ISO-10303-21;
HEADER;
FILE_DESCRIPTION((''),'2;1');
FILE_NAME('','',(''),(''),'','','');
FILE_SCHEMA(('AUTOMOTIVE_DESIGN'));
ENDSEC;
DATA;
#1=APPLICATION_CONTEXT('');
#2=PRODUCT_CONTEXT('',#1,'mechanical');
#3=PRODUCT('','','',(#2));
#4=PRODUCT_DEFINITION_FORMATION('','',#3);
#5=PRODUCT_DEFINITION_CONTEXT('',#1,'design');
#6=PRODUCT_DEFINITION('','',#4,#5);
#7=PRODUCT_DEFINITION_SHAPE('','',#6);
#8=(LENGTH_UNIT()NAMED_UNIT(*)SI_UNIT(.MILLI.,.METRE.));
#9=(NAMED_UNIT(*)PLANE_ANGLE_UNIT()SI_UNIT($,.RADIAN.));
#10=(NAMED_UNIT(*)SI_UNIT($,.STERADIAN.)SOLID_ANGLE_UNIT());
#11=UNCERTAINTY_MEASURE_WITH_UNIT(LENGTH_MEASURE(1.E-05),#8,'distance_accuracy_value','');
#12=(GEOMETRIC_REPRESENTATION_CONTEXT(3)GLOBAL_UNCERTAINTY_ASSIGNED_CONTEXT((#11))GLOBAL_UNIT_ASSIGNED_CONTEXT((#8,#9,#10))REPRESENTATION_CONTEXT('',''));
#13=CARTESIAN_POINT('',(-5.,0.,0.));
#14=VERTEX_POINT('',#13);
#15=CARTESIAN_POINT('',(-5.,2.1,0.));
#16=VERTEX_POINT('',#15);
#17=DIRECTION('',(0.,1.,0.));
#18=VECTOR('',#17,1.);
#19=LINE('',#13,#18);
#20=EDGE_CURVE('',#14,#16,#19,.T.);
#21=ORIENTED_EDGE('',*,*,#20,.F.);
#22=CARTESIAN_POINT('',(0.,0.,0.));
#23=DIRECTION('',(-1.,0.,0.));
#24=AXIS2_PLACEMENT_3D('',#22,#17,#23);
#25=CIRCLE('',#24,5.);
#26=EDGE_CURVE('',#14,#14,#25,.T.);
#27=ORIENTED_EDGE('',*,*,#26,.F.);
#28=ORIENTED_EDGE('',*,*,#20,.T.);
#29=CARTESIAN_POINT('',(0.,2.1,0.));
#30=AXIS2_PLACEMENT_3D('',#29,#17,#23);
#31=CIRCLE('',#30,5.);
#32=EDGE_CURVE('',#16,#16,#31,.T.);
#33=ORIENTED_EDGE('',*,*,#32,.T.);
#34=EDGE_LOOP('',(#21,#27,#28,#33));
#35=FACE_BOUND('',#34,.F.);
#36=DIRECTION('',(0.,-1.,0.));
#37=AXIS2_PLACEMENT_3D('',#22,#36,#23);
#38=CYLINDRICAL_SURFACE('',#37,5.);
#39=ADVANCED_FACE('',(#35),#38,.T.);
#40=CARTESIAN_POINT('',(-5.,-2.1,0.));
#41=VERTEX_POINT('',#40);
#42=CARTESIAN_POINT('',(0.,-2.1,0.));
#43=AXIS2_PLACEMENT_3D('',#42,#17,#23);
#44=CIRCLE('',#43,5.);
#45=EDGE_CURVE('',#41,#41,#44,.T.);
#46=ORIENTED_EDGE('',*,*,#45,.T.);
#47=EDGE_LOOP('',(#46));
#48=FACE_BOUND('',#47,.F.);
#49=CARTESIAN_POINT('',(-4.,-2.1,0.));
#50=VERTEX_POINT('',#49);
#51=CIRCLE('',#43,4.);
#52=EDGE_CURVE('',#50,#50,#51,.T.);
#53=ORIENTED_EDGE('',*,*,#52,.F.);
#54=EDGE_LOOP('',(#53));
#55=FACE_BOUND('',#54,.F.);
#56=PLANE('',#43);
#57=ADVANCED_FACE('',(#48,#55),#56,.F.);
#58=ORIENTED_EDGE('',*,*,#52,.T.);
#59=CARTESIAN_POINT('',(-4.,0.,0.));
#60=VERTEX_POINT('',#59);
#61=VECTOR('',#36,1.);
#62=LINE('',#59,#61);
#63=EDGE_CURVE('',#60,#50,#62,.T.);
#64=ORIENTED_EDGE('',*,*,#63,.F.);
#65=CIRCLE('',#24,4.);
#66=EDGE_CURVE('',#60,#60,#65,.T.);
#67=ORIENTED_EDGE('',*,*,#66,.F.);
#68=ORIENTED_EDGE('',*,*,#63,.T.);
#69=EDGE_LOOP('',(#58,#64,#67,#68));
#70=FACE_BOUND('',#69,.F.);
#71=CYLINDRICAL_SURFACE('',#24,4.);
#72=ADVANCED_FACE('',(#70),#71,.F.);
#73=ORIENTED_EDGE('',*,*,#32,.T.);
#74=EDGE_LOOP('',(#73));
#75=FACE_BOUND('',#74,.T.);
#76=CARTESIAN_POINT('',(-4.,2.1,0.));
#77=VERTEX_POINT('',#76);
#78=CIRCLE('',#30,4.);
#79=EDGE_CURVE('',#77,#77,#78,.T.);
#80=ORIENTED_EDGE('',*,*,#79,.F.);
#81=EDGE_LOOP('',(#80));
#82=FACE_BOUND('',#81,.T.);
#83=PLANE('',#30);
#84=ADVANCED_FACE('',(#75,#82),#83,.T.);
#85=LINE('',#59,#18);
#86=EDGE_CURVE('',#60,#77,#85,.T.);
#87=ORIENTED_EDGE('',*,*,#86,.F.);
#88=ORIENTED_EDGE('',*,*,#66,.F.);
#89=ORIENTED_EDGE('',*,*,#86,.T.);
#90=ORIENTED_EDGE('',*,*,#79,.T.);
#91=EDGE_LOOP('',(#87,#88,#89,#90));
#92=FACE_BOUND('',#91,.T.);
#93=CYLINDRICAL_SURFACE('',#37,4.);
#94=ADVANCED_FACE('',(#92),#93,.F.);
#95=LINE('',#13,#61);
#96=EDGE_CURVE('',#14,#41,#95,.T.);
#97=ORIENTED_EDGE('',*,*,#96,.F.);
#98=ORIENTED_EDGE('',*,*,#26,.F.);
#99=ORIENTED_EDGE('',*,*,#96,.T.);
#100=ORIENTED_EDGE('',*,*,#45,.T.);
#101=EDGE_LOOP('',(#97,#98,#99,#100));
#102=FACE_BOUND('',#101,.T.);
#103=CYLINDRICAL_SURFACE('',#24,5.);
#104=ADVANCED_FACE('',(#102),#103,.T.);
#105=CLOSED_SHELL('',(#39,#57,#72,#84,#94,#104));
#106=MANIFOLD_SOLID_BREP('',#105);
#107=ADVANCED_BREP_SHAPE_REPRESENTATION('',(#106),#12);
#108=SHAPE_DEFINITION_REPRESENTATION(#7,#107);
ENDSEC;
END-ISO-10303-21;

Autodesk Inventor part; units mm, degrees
ref_plane "YZ Plane" through (0, 0, 0) normal (1, 0, 0) x (0, 1, 0)
ref_plane "XZ Plane" through (0, 0, 0) normal (0, 1, 0) x (-1, 0, 0)
ref_plane "XY Plane" through (0, 0, 0) normal (0, 0, 1) x (1, 0, 0)
sketch "スケッチ1" plane through (0, 0, 0) normal (0, 1, 0) x (-1, 0, 0)
  circle A0 centre (0, 0) radius 5
  circle A1 centre (0, 0) radius 4
  dimension "d0" = 10
  dimension "d1" = 1
extrude "押し出し1" add sketch "スケッチ1" along normal mid plane 4.2
properties part number "collar"
